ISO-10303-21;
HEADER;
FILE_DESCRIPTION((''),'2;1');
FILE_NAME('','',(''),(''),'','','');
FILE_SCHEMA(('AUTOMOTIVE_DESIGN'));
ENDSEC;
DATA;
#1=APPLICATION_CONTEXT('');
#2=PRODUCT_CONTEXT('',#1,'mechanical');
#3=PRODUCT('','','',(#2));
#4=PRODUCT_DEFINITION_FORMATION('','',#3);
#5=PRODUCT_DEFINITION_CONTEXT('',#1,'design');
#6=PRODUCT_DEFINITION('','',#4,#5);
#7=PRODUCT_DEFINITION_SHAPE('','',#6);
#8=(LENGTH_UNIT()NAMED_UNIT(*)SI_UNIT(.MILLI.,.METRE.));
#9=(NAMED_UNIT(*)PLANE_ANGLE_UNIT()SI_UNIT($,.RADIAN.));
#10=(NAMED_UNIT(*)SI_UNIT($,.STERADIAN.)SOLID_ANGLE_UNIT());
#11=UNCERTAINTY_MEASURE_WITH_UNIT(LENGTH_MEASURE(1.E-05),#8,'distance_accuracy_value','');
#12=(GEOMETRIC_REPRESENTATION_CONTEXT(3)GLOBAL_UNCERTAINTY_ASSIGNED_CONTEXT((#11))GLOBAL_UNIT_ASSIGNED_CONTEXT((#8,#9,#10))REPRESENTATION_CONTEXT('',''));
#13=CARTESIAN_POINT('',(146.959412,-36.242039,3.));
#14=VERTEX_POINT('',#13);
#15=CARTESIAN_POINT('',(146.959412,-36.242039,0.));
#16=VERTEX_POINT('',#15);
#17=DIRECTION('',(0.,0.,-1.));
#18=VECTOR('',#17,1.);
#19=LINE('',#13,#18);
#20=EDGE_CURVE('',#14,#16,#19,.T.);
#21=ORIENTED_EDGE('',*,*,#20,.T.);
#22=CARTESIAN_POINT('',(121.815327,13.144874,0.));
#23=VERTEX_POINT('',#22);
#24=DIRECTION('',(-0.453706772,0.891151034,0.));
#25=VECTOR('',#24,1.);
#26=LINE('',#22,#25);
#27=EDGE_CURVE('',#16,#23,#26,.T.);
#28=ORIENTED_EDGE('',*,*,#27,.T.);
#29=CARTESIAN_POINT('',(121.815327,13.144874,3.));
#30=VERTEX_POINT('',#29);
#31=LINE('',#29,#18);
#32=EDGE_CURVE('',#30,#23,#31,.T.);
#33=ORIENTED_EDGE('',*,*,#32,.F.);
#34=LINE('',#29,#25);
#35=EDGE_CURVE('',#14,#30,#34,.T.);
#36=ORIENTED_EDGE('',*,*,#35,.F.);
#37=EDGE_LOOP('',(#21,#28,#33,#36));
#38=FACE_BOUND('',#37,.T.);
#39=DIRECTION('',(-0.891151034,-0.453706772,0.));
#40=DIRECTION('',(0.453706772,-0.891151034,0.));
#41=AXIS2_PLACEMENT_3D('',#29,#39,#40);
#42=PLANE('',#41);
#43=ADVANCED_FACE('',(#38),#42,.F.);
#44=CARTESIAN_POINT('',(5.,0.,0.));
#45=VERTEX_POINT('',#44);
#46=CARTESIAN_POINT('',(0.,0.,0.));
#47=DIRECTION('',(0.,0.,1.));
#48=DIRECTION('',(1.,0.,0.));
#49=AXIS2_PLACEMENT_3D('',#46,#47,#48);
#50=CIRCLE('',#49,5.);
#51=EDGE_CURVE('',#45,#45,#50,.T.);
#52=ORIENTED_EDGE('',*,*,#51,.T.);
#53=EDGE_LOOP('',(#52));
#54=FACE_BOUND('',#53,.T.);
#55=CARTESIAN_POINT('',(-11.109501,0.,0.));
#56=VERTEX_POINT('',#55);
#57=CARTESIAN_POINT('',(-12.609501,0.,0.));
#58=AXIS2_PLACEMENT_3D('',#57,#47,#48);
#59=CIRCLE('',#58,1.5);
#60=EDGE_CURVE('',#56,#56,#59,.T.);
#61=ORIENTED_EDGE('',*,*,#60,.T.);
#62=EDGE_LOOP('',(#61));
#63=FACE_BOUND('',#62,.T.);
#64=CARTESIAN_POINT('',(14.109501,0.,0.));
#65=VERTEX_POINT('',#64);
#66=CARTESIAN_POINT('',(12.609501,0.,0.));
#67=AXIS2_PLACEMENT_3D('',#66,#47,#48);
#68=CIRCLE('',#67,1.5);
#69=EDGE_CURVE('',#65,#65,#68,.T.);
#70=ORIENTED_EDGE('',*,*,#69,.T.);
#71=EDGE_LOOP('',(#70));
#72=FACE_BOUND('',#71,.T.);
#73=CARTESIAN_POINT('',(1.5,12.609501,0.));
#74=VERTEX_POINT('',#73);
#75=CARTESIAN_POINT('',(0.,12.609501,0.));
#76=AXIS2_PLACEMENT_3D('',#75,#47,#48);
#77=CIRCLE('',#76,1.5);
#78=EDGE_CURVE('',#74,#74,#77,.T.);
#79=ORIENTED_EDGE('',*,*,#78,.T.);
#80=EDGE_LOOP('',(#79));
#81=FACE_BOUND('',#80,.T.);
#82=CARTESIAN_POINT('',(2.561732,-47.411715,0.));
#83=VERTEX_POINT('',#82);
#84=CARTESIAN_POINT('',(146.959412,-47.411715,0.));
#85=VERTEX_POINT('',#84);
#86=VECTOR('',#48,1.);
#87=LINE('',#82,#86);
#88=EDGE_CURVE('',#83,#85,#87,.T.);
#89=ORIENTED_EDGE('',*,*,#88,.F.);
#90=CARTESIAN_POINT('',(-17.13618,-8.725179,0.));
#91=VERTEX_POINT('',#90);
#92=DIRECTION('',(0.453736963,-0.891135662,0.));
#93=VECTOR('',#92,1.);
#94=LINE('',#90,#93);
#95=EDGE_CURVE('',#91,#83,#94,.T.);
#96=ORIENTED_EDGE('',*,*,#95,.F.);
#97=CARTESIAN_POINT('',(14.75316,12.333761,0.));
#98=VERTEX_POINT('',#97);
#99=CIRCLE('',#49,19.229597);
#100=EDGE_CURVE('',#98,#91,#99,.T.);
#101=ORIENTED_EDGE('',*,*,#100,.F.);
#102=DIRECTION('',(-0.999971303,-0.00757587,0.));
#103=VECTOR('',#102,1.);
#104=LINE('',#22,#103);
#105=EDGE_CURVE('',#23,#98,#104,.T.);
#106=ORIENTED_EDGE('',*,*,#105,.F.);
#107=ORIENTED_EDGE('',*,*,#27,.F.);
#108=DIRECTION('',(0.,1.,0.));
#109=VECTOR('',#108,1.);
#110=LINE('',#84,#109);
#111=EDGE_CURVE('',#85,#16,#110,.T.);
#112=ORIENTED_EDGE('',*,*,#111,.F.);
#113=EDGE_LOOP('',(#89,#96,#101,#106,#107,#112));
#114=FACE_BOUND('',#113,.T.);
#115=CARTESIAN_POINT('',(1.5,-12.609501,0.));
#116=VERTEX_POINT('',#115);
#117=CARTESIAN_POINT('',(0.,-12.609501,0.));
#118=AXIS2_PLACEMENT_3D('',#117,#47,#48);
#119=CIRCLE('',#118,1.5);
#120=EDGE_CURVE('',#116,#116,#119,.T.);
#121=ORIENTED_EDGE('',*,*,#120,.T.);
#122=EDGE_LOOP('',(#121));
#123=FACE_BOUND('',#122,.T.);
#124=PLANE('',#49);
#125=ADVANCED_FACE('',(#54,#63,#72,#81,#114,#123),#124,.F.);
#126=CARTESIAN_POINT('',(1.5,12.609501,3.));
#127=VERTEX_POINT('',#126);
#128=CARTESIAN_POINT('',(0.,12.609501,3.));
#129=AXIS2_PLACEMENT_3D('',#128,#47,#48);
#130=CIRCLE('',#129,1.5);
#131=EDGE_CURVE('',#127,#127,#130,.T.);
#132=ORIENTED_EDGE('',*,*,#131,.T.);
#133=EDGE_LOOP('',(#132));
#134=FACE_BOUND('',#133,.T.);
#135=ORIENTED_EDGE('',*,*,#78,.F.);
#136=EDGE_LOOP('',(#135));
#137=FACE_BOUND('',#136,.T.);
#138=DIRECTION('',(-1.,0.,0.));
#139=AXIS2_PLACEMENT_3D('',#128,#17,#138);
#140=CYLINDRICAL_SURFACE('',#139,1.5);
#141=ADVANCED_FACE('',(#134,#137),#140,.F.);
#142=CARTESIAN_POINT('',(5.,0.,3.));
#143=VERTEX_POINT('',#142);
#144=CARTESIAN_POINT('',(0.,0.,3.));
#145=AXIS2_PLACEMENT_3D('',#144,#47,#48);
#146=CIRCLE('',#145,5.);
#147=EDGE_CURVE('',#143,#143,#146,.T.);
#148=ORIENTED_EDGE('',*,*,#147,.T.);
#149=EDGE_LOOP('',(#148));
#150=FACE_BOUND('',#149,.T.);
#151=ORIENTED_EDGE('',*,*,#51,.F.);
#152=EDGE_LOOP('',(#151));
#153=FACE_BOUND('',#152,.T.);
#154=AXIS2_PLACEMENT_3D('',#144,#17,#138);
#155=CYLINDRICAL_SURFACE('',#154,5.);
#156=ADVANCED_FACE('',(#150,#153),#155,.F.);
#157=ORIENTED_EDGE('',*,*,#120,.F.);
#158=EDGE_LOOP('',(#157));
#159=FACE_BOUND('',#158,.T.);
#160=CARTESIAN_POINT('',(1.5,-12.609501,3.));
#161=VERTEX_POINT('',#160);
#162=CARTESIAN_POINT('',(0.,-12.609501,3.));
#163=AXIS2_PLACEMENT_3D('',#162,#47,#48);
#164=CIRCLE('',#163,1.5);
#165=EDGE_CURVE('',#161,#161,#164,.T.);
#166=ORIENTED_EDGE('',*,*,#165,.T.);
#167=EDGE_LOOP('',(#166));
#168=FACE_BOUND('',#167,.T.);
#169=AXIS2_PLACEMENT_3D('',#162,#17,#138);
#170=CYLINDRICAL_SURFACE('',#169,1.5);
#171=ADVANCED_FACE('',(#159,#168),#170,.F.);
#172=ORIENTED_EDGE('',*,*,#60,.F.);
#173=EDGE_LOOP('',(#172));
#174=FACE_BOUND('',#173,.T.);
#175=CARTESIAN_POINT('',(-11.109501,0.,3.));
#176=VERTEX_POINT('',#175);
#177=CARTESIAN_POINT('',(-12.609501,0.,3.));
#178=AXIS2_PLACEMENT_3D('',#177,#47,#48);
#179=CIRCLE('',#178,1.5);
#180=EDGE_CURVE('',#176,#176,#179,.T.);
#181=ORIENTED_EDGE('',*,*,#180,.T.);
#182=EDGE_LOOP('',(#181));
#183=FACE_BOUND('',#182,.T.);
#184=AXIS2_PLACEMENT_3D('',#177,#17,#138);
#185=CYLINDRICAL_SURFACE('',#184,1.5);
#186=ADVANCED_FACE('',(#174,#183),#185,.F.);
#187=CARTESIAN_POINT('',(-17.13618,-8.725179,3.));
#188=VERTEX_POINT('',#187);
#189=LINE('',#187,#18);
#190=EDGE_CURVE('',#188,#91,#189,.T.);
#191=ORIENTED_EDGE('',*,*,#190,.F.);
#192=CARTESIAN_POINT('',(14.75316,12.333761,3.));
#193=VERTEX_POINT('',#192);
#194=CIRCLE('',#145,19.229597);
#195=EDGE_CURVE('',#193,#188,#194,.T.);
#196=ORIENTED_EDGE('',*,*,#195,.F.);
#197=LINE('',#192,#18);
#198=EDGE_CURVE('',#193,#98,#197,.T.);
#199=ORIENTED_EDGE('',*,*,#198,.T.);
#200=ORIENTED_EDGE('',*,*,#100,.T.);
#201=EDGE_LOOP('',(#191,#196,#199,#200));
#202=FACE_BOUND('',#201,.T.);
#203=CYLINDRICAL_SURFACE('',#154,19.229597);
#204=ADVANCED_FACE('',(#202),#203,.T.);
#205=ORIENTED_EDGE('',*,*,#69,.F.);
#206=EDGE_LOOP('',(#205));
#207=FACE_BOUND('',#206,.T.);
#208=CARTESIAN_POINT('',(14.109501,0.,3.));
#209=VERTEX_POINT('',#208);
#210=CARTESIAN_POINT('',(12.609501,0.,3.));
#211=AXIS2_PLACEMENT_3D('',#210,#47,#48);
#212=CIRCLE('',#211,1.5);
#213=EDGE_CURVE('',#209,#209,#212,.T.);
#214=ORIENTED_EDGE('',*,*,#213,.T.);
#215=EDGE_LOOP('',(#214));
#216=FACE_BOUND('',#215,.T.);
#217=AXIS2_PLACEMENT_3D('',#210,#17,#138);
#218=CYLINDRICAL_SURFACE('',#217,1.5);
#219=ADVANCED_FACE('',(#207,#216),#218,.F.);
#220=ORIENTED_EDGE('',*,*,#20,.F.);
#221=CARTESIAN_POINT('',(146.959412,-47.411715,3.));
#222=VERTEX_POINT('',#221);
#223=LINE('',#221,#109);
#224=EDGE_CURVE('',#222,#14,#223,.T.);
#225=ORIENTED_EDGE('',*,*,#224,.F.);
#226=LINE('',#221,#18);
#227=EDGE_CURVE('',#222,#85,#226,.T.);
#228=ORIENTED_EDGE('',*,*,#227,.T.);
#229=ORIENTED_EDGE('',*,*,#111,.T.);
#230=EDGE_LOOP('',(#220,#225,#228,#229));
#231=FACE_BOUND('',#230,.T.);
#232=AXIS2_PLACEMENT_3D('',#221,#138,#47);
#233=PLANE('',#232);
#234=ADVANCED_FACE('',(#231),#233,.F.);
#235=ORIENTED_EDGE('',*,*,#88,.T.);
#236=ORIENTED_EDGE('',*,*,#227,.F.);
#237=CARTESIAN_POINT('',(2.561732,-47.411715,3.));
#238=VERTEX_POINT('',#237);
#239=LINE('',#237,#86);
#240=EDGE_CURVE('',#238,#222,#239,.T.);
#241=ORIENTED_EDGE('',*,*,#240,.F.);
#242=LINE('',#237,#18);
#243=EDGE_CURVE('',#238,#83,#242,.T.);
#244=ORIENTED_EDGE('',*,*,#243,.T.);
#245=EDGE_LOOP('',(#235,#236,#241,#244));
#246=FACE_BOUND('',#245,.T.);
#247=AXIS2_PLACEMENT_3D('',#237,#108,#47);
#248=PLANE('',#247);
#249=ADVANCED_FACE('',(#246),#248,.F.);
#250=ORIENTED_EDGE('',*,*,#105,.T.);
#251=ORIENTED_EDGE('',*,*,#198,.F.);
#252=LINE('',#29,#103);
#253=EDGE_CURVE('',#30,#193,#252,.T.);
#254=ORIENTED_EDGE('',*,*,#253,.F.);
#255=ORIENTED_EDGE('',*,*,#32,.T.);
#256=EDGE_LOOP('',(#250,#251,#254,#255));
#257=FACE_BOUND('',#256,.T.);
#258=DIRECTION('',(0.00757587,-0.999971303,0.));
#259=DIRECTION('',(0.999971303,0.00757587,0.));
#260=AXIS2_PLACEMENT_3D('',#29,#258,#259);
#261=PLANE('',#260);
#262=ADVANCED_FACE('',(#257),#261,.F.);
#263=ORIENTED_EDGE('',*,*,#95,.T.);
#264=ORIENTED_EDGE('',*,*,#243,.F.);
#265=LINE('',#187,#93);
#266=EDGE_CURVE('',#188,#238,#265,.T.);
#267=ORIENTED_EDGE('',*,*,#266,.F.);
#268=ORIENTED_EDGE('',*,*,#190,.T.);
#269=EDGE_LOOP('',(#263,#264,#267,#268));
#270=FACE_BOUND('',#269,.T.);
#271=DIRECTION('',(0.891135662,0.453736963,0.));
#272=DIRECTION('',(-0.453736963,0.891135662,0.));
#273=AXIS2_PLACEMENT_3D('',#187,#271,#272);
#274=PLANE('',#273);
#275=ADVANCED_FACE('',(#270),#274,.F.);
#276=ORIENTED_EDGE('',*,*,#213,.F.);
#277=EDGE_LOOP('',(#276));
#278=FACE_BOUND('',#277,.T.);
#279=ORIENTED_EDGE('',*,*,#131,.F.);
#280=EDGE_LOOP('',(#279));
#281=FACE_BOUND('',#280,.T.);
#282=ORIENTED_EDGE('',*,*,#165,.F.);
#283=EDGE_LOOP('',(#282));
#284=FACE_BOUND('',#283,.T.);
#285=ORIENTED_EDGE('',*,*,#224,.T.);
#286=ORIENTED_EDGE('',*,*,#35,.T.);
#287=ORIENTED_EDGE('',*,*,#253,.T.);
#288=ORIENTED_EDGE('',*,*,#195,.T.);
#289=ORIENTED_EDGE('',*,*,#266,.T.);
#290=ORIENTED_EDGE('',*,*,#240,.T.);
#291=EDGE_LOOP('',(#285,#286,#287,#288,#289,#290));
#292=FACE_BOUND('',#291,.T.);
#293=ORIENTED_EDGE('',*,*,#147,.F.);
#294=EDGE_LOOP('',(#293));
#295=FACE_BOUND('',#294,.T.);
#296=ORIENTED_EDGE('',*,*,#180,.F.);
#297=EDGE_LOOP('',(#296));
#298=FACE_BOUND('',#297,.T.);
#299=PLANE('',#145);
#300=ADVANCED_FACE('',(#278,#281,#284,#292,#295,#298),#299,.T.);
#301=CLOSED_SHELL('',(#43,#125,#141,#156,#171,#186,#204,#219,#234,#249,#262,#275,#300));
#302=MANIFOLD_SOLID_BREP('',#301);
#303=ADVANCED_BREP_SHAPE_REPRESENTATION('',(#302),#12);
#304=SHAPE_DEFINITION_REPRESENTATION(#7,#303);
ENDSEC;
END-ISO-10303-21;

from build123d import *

# Parameters (mm, degrees)
SKETCH1_R           = 5
SKETCH1_R_2         = 1.5
BOSS_EXTRUDE1_DEPTH = 3


with BuildPart() as part:
    # Sketch1 → Boss-Extrude1 (new body)
    with BuildSketch(Plane.XY):
        with BuildLine():
            Line((121.815327096, 13.144873556), (146.959411549, -36.24203935))
            Line((146.959411549, -36.24203935), (146.959411549, -47.411715326))
            Line((146.959411549, -47.411715326), (2.561732102, -47.411715326))
            Line((2.561732102, -47.411715326), (-17.136179556, -8.72517889))
            ThreePointArc((-17.136179556, -8.72517889), (-10.596670935, 16.046431426), (14.753160039, 12.333761198))
            Line((14.753160039, 12.333761198), (121.815327096, 13.144873556))
        make_face()
        Circle(SKETCH1_R, mode=Mode.SUBTRACT)
        with Locations((12.609500958, 0)):
            Circle(SKETCH1_R_2, mode=Mode.SUBTRACT)
        with Locations((0, -12.609500958)):
            Circle(SKETCH1_R_2, mode=Mode.SUBTRACT)
        with Locations((-12.609500958, 0)):
            Circle(SKETCH1_R_2, mode=Mode.SUBTRACT)
        with Locations((0, 12.609500958)):
            Circle(SKETCH1_R_2, mode=Mode.SUBTRACT)
    extrude(amount=BOSS_EXTRUDE1_DEPTH)


solid = part.part
